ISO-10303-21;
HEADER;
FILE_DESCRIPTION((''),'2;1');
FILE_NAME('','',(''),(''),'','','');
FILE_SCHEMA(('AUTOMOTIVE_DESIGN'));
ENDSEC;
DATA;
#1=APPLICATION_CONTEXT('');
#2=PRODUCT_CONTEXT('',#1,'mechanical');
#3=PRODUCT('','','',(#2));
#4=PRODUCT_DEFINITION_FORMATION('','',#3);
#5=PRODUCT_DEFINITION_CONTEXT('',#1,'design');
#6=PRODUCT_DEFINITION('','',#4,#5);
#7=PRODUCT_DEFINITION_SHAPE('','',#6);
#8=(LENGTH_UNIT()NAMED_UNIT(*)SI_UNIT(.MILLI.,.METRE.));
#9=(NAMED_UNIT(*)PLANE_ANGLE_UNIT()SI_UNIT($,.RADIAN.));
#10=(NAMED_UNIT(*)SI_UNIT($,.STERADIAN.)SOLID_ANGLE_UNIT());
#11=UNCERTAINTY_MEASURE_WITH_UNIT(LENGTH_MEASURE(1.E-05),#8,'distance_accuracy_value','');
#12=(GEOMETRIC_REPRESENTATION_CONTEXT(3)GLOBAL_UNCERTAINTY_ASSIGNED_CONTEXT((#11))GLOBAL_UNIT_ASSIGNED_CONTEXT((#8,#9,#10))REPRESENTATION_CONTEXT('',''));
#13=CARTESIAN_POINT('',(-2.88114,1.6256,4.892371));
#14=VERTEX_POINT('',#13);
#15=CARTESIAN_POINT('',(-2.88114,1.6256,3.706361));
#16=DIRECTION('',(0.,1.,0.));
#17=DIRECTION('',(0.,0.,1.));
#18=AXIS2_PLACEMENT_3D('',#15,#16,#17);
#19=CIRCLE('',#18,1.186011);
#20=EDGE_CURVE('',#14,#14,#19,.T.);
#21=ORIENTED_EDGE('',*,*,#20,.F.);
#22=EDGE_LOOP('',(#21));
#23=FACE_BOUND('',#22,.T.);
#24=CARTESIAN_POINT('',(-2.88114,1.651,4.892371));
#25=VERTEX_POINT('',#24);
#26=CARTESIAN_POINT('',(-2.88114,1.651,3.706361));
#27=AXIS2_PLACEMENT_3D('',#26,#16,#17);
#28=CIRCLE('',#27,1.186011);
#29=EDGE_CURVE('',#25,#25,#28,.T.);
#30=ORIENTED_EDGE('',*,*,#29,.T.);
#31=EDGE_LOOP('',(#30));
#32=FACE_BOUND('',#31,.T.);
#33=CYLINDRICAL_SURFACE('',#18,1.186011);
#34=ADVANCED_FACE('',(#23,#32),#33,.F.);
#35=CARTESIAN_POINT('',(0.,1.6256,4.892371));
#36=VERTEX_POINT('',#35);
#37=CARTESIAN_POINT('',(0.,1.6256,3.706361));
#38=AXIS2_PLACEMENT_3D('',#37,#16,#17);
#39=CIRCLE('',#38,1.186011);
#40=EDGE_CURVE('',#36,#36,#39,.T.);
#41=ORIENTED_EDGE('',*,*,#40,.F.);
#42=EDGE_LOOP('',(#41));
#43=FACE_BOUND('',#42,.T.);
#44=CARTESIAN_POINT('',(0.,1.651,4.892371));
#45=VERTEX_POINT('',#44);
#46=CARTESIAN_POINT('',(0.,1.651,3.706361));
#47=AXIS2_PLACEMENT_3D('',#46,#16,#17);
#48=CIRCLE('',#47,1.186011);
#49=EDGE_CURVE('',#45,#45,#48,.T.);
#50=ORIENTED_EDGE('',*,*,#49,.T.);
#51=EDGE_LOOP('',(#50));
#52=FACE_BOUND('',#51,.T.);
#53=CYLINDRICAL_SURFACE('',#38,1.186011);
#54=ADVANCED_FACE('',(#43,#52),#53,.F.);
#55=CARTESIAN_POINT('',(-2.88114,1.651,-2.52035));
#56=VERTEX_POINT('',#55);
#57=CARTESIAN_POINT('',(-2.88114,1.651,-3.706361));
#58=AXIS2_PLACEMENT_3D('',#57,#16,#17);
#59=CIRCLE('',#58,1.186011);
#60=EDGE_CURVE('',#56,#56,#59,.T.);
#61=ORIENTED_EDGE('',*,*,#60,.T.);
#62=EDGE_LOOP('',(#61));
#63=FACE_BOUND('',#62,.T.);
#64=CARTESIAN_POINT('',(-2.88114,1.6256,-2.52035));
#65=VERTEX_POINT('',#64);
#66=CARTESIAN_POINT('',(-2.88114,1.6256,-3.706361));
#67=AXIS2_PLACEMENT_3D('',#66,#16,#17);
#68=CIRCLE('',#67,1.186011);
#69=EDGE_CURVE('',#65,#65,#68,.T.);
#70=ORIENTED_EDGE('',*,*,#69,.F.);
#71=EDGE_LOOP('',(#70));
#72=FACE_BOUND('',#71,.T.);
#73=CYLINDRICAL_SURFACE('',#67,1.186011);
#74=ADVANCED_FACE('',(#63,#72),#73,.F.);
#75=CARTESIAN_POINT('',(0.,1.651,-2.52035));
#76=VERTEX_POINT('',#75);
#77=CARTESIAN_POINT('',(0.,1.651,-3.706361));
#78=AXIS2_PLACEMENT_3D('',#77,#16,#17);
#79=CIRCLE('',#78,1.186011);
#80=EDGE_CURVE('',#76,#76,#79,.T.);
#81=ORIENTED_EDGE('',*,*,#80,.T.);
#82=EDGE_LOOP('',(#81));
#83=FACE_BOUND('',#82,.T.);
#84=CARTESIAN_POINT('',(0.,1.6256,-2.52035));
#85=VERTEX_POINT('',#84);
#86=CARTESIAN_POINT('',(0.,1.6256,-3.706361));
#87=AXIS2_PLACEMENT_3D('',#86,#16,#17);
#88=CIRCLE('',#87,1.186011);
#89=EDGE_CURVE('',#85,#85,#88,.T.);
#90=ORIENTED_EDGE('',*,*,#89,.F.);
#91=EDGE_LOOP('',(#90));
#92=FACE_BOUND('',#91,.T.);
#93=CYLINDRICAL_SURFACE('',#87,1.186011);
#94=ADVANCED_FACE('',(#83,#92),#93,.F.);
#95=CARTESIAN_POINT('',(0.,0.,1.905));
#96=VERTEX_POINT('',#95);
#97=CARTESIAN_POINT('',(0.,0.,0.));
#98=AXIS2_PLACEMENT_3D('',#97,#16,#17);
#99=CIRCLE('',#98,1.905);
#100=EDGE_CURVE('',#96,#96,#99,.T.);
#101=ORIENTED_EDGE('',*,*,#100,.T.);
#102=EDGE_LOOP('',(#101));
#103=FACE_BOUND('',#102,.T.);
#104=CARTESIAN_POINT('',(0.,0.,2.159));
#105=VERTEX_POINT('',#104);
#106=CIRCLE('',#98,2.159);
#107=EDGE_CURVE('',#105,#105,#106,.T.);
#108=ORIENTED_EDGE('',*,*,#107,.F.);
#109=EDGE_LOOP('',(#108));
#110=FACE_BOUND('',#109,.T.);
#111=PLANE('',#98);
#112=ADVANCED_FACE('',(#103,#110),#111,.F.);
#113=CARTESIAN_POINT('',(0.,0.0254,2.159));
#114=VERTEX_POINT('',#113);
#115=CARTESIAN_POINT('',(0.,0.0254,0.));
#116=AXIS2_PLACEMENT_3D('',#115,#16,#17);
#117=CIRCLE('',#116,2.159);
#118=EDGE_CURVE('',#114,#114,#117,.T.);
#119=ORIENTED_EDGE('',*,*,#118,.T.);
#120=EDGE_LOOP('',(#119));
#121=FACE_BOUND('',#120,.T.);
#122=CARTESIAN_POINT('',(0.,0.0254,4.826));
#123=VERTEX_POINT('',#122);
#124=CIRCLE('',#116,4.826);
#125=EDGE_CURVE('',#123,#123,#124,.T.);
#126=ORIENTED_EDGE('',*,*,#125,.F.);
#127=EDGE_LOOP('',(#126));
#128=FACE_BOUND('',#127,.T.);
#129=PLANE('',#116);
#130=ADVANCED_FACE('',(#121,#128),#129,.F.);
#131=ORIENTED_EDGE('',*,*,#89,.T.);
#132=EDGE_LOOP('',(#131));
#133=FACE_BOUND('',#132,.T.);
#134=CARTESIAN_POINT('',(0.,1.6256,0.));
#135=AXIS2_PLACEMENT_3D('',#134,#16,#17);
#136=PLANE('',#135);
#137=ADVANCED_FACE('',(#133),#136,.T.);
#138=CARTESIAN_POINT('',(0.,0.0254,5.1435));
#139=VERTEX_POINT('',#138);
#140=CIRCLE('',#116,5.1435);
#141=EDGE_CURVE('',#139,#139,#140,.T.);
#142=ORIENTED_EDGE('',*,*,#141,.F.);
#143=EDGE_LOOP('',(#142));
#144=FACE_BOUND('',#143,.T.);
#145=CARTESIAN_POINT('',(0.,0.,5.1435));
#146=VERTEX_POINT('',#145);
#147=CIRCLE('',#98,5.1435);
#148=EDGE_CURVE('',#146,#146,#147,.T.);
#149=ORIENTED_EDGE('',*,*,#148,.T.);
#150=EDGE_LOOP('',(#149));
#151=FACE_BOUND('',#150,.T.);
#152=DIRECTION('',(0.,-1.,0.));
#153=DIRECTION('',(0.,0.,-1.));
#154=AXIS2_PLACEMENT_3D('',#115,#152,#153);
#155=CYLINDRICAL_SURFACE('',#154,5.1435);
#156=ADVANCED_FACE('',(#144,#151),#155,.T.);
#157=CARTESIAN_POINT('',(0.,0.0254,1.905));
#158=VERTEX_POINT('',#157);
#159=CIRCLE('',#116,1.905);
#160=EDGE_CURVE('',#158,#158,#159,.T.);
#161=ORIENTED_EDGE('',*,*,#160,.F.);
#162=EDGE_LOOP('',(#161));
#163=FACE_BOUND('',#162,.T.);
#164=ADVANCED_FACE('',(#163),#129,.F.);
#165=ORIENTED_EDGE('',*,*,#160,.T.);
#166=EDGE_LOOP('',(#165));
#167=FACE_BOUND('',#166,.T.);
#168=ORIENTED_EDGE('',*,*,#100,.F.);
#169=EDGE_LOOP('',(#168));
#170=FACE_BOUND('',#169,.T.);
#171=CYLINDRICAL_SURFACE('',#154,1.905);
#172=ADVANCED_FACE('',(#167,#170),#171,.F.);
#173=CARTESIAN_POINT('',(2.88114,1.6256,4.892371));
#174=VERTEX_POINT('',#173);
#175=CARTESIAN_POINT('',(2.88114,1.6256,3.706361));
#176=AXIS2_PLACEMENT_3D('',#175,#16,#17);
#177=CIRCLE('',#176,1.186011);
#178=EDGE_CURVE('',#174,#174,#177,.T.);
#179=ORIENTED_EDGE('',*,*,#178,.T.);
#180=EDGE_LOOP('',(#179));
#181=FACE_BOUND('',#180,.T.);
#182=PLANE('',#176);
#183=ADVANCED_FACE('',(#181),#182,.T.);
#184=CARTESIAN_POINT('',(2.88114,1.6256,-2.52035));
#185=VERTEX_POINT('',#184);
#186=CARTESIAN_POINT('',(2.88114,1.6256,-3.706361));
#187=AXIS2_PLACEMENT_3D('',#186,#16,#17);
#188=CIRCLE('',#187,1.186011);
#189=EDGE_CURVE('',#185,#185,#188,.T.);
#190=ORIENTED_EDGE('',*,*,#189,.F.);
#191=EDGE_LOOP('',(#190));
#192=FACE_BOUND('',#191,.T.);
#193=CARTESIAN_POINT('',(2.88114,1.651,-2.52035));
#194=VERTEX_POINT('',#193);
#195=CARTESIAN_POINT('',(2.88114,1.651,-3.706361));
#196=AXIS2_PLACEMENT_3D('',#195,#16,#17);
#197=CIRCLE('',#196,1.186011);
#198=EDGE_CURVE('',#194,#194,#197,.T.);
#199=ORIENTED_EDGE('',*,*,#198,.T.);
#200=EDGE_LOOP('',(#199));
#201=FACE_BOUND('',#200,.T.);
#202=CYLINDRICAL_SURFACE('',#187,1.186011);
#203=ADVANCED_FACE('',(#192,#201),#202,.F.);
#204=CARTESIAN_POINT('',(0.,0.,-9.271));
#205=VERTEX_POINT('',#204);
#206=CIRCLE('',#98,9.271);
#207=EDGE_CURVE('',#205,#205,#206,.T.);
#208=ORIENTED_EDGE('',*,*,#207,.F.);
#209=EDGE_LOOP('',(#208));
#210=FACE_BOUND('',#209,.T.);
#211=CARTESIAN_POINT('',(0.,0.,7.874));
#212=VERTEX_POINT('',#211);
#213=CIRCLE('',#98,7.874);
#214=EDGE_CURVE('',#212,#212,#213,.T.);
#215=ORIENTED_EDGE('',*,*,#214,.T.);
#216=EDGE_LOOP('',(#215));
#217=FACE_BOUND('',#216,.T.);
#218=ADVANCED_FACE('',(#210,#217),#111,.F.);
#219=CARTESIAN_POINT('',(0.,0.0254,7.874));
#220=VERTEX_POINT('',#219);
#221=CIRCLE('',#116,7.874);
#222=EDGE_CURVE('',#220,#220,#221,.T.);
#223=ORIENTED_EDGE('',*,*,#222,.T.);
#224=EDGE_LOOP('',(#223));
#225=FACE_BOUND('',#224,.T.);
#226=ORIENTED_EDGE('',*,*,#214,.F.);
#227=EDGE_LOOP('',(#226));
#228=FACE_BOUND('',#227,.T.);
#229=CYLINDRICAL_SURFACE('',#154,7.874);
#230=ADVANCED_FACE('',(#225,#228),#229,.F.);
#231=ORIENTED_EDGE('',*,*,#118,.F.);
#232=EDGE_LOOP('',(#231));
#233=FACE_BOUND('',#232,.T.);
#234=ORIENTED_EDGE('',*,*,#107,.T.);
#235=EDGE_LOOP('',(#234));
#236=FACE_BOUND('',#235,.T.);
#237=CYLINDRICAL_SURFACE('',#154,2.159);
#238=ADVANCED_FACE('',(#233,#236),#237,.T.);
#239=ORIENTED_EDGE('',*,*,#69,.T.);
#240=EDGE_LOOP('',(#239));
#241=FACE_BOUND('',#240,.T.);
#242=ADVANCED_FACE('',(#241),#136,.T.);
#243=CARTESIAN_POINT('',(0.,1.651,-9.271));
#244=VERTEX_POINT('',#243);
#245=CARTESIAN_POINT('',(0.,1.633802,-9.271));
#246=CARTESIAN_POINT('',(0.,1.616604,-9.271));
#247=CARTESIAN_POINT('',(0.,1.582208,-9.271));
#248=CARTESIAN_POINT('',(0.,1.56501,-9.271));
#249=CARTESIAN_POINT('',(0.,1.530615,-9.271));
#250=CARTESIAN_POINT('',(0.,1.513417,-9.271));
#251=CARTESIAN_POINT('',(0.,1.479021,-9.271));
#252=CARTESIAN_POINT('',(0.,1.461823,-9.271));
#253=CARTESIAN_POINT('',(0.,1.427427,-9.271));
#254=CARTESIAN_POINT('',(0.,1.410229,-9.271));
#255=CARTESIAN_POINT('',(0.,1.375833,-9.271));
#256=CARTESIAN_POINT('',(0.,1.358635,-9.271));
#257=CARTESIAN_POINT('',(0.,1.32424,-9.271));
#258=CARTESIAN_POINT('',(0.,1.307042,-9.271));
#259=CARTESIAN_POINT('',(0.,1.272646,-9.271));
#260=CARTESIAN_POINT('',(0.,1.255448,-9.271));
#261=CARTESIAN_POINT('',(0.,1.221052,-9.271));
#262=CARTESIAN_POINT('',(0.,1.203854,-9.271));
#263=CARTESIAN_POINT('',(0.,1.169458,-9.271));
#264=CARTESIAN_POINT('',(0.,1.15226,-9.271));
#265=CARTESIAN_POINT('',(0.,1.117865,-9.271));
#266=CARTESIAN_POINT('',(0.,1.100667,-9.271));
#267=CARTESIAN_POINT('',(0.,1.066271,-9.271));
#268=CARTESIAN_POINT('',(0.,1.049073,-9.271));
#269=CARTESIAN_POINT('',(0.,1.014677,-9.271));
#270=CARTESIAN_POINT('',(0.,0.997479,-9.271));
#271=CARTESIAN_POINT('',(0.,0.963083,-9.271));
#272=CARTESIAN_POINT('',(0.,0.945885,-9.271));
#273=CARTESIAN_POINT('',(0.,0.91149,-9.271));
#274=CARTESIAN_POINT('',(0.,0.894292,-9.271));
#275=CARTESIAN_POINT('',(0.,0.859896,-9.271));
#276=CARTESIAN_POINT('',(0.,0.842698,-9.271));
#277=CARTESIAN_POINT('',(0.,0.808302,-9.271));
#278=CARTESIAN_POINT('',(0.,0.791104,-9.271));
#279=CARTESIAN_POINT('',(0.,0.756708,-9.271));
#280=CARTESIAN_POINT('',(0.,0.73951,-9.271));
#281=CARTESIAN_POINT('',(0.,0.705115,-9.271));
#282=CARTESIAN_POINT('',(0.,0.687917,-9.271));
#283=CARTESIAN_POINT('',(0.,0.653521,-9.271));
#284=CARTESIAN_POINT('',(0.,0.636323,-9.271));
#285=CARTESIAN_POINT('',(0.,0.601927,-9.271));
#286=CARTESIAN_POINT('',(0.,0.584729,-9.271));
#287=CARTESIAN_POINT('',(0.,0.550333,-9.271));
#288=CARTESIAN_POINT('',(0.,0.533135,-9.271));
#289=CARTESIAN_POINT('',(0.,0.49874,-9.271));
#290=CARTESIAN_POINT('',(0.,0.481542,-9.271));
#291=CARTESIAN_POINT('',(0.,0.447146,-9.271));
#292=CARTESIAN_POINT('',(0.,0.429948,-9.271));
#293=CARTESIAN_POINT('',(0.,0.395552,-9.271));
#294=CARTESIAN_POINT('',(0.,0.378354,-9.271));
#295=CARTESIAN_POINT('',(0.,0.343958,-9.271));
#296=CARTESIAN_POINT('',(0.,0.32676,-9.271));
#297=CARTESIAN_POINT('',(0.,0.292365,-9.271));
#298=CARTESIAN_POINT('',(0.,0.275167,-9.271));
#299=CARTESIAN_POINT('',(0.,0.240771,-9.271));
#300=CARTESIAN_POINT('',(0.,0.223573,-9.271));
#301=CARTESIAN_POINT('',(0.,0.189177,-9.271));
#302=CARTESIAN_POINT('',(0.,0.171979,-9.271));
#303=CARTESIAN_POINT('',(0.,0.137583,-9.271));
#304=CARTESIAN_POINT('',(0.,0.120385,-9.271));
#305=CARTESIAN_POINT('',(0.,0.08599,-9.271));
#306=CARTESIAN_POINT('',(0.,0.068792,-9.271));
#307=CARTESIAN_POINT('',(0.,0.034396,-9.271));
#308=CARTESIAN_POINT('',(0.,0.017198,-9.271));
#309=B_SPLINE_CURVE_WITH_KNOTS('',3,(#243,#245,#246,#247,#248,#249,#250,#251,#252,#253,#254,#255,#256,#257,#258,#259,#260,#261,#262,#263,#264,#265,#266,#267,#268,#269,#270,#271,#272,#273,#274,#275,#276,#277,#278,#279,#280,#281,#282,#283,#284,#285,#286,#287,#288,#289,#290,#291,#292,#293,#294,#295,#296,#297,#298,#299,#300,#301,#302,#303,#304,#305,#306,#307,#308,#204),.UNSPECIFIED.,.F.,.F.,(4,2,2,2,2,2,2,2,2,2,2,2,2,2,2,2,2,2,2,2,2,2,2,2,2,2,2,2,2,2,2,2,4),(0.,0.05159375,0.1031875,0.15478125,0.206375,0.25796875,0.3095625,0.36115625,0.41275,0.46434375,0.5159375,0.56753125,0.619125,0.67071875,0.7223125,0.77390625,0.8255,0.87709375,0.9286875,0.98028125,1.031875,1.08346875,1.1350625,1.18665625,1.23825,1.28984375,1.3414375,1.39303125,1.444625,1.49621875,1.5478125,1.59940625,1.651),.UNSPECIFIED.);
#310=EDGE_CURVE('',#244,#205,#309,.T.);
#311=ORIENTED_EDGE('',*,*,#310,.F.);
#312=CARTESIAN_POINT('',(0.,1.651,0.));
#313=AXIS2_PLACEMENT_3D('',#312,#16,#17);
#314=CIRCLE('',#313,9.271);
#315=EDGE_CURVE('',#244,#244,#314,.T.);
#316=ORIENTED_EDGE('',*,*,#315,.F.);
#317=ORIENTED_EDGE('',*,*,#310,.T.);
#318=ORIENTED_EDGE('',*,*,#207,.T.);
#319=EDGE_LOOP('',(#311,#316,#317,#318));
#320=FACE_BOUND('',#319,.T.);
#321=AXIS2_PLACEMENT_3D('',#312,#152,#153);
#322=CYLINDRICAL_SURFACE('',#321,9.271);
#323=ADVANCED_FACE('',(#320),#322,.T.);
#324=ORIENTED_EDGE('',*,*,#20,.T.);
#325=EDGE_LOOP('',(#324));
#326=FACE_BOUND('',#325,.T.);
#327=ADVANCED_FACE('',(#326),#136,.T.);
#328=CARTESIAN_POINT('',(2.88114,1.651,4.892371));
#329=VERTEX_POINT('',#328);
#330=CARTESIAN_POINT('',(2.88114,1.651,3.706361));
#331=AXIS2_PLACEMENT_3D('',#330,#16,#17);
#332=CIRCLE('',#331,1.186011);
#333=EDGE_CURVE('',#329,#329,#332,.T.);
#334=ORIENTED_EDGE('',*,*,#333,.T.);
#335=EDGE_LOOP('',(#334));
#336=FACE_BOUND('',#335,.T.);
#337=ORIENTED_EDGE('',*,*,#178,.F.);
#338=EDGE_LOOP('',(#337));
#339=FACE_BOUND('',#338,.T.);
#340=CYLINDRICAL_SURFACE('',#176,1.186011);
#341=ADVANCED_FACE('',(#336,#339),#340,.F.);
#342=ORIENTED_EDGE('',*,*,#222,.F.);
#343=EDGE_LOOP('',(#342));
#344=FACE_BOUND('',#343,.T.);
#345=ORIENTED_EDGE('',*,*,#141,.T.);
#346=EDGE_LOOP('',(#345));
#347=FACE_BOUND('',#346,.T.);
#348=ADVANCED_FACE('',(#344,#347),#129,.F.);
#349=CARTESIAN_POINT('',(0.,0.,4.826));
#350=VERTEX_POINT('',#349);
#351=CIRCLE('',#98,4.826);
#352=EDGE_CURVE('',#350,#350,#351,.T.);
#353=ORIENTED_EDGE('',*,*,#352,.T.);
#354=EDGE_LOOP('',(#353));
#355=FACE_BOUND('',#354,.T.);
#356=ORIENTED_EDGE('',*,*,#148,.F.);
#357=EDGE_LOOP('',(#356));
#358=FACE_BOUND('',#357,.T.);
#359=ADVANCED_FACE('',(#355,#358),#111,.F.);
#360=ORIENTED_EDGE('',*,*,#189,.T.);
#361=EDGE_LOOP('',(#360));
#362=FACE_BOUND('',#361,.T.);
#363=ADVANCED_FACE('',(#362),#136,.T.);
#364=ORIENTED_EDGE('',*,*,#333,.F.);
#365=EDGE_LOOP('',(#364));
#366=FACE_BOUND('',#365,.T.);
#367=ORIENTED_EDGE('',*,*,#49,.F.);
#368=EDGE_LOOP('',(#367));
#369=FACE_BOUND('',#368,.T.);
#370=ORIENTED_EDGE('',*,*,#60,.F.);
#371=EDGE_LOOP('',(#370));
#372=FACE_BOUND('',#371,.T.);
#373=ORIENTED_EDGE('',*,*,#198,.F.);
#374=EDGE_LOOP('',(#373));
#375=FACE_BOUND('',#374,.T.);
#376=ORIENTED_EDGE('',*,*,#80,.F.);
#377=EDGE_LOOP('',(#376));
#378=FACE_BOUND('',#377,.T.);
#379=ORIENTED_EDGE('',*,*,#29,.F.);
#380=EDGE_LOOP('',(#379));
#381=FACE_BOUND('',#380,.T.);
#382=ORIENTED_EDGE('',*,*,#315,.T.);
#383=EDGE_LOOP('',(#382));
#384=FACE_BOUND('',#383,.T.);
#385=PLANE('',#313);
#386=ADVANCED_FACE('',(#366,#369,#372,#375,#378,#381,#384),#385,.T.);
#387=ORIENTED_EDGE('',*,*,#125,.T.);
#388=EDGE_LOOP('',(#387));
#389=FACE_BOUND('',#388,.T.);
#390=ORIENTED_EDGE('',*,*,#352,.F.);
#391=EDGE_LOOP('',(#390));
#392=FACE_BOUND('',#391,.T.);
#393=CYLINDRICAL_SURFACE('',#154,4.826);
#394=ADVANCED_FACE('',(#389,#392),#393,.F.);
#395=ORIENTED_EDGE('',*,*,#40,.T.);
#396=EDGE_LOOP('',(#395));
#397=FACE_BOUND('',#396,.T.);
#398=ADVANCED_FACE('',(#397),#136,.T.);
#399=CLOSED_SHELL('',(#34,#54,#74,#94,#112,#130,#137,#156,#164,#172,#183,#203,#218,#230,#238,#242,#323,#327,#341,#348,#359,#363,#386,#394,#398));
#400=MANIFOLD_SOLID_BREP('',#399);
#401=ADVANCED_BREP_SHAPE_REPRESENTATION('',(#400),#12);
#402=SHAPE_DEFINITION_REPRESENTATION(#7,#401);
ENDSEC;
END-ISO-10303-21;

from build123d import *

# Parameters (mm, degrees)
SKETCH2_R           = 9.271
BOSS_EXTRUDE1_DEPTH = 1.651
SKETCH2_3_R         = 7.874
SKETCH2_3_R_2       = 5.1435
SKETCH2_3_R_3       = 4.826
SKETCH2_3_R_4       = 2.159
SKETCH2_3_R_5       = 1.905
CUT_EXTRUDE1_DEPTH  = 0.0254
SKETCH3_R           = 1.186010715
CUT_EXTRUDE2_DEPTH  = 0.0254


with BuildPart() as part:
    # Sketch2 → Boss-Extrude1 (new body)
    with BuildSketch(Plane(origin=(0, 0, 0), x_dir=(1, 0, 0), z_dir=(0, 1, 0))):
        Circle(SKETCH2_R)
    extrude(amount=BOSS_EXTRUDE1_DEPTH)

    # Sketch2<3> → Cut-Extrude1 (cut)
    # profile 1 of 3: a face of its own
    with BuildSketch(Plane(origin=(0, 0, 0), x_dir=(1, 0, 0), z_dir=(0, 1, 0))):
        Circle(SKETCH2_3_R)
        Circle(SKETCH2_3_R_2, mode=Mode.SUBTRACT)
    # profile 2 of 3: a face of its own
    with BuildSketch(Plane(origin=(0, 0, 0), x_dir=(1, 0, 0), z_dir=(0, 1, 0))):
        Circle(SKETCH2_3_R_3)
        Circle(SKETCH2_3_R_4, mode=Mode.SUBTRACT)
    # profile 3 of 3: a face of its own
    with BuildSketch(Plane(origin=(0, 0, 0), x_dir=(1, 0, 0), z_dir=(0, 1, 0))):
        Circle(SKETCH2_3_R_5)
    extrude(amount=CUT_EXTRUDE1_DEPTH, mode=Mode.SUBTRACT)

    # Sketch3 → Cut-Extrude2 (cut)
    with BuildSketch(Plane(origin=(0, 1.651, 0), x_dir=(1, 0, 0), z_dir=(0, 1, 0))):
        with Locations((-2.88114027, 3.706360639)):
            Circle(SKETCH3_R)
        with Locations((0, 3.706360639)):
            Circle(SKETCH3_R)
        with Locations((2.88114027, 3.706360639)):
            Circle(SKETCH3_R)
        with Locations((0, -3.706360639)):
            Circle(SKETCH3_R)
        with Locations((2.88114027, -3.706360639)):
            Circle(SKETCH3_R)
        with Locations((-2.88114027, -3.706360639)):
            Circle(SKETCH3_R)
    extrude(amount=-CUT_EXTRUDE2_DEPTH, mode=Mode.SUBTRACT)


solid = part.part
